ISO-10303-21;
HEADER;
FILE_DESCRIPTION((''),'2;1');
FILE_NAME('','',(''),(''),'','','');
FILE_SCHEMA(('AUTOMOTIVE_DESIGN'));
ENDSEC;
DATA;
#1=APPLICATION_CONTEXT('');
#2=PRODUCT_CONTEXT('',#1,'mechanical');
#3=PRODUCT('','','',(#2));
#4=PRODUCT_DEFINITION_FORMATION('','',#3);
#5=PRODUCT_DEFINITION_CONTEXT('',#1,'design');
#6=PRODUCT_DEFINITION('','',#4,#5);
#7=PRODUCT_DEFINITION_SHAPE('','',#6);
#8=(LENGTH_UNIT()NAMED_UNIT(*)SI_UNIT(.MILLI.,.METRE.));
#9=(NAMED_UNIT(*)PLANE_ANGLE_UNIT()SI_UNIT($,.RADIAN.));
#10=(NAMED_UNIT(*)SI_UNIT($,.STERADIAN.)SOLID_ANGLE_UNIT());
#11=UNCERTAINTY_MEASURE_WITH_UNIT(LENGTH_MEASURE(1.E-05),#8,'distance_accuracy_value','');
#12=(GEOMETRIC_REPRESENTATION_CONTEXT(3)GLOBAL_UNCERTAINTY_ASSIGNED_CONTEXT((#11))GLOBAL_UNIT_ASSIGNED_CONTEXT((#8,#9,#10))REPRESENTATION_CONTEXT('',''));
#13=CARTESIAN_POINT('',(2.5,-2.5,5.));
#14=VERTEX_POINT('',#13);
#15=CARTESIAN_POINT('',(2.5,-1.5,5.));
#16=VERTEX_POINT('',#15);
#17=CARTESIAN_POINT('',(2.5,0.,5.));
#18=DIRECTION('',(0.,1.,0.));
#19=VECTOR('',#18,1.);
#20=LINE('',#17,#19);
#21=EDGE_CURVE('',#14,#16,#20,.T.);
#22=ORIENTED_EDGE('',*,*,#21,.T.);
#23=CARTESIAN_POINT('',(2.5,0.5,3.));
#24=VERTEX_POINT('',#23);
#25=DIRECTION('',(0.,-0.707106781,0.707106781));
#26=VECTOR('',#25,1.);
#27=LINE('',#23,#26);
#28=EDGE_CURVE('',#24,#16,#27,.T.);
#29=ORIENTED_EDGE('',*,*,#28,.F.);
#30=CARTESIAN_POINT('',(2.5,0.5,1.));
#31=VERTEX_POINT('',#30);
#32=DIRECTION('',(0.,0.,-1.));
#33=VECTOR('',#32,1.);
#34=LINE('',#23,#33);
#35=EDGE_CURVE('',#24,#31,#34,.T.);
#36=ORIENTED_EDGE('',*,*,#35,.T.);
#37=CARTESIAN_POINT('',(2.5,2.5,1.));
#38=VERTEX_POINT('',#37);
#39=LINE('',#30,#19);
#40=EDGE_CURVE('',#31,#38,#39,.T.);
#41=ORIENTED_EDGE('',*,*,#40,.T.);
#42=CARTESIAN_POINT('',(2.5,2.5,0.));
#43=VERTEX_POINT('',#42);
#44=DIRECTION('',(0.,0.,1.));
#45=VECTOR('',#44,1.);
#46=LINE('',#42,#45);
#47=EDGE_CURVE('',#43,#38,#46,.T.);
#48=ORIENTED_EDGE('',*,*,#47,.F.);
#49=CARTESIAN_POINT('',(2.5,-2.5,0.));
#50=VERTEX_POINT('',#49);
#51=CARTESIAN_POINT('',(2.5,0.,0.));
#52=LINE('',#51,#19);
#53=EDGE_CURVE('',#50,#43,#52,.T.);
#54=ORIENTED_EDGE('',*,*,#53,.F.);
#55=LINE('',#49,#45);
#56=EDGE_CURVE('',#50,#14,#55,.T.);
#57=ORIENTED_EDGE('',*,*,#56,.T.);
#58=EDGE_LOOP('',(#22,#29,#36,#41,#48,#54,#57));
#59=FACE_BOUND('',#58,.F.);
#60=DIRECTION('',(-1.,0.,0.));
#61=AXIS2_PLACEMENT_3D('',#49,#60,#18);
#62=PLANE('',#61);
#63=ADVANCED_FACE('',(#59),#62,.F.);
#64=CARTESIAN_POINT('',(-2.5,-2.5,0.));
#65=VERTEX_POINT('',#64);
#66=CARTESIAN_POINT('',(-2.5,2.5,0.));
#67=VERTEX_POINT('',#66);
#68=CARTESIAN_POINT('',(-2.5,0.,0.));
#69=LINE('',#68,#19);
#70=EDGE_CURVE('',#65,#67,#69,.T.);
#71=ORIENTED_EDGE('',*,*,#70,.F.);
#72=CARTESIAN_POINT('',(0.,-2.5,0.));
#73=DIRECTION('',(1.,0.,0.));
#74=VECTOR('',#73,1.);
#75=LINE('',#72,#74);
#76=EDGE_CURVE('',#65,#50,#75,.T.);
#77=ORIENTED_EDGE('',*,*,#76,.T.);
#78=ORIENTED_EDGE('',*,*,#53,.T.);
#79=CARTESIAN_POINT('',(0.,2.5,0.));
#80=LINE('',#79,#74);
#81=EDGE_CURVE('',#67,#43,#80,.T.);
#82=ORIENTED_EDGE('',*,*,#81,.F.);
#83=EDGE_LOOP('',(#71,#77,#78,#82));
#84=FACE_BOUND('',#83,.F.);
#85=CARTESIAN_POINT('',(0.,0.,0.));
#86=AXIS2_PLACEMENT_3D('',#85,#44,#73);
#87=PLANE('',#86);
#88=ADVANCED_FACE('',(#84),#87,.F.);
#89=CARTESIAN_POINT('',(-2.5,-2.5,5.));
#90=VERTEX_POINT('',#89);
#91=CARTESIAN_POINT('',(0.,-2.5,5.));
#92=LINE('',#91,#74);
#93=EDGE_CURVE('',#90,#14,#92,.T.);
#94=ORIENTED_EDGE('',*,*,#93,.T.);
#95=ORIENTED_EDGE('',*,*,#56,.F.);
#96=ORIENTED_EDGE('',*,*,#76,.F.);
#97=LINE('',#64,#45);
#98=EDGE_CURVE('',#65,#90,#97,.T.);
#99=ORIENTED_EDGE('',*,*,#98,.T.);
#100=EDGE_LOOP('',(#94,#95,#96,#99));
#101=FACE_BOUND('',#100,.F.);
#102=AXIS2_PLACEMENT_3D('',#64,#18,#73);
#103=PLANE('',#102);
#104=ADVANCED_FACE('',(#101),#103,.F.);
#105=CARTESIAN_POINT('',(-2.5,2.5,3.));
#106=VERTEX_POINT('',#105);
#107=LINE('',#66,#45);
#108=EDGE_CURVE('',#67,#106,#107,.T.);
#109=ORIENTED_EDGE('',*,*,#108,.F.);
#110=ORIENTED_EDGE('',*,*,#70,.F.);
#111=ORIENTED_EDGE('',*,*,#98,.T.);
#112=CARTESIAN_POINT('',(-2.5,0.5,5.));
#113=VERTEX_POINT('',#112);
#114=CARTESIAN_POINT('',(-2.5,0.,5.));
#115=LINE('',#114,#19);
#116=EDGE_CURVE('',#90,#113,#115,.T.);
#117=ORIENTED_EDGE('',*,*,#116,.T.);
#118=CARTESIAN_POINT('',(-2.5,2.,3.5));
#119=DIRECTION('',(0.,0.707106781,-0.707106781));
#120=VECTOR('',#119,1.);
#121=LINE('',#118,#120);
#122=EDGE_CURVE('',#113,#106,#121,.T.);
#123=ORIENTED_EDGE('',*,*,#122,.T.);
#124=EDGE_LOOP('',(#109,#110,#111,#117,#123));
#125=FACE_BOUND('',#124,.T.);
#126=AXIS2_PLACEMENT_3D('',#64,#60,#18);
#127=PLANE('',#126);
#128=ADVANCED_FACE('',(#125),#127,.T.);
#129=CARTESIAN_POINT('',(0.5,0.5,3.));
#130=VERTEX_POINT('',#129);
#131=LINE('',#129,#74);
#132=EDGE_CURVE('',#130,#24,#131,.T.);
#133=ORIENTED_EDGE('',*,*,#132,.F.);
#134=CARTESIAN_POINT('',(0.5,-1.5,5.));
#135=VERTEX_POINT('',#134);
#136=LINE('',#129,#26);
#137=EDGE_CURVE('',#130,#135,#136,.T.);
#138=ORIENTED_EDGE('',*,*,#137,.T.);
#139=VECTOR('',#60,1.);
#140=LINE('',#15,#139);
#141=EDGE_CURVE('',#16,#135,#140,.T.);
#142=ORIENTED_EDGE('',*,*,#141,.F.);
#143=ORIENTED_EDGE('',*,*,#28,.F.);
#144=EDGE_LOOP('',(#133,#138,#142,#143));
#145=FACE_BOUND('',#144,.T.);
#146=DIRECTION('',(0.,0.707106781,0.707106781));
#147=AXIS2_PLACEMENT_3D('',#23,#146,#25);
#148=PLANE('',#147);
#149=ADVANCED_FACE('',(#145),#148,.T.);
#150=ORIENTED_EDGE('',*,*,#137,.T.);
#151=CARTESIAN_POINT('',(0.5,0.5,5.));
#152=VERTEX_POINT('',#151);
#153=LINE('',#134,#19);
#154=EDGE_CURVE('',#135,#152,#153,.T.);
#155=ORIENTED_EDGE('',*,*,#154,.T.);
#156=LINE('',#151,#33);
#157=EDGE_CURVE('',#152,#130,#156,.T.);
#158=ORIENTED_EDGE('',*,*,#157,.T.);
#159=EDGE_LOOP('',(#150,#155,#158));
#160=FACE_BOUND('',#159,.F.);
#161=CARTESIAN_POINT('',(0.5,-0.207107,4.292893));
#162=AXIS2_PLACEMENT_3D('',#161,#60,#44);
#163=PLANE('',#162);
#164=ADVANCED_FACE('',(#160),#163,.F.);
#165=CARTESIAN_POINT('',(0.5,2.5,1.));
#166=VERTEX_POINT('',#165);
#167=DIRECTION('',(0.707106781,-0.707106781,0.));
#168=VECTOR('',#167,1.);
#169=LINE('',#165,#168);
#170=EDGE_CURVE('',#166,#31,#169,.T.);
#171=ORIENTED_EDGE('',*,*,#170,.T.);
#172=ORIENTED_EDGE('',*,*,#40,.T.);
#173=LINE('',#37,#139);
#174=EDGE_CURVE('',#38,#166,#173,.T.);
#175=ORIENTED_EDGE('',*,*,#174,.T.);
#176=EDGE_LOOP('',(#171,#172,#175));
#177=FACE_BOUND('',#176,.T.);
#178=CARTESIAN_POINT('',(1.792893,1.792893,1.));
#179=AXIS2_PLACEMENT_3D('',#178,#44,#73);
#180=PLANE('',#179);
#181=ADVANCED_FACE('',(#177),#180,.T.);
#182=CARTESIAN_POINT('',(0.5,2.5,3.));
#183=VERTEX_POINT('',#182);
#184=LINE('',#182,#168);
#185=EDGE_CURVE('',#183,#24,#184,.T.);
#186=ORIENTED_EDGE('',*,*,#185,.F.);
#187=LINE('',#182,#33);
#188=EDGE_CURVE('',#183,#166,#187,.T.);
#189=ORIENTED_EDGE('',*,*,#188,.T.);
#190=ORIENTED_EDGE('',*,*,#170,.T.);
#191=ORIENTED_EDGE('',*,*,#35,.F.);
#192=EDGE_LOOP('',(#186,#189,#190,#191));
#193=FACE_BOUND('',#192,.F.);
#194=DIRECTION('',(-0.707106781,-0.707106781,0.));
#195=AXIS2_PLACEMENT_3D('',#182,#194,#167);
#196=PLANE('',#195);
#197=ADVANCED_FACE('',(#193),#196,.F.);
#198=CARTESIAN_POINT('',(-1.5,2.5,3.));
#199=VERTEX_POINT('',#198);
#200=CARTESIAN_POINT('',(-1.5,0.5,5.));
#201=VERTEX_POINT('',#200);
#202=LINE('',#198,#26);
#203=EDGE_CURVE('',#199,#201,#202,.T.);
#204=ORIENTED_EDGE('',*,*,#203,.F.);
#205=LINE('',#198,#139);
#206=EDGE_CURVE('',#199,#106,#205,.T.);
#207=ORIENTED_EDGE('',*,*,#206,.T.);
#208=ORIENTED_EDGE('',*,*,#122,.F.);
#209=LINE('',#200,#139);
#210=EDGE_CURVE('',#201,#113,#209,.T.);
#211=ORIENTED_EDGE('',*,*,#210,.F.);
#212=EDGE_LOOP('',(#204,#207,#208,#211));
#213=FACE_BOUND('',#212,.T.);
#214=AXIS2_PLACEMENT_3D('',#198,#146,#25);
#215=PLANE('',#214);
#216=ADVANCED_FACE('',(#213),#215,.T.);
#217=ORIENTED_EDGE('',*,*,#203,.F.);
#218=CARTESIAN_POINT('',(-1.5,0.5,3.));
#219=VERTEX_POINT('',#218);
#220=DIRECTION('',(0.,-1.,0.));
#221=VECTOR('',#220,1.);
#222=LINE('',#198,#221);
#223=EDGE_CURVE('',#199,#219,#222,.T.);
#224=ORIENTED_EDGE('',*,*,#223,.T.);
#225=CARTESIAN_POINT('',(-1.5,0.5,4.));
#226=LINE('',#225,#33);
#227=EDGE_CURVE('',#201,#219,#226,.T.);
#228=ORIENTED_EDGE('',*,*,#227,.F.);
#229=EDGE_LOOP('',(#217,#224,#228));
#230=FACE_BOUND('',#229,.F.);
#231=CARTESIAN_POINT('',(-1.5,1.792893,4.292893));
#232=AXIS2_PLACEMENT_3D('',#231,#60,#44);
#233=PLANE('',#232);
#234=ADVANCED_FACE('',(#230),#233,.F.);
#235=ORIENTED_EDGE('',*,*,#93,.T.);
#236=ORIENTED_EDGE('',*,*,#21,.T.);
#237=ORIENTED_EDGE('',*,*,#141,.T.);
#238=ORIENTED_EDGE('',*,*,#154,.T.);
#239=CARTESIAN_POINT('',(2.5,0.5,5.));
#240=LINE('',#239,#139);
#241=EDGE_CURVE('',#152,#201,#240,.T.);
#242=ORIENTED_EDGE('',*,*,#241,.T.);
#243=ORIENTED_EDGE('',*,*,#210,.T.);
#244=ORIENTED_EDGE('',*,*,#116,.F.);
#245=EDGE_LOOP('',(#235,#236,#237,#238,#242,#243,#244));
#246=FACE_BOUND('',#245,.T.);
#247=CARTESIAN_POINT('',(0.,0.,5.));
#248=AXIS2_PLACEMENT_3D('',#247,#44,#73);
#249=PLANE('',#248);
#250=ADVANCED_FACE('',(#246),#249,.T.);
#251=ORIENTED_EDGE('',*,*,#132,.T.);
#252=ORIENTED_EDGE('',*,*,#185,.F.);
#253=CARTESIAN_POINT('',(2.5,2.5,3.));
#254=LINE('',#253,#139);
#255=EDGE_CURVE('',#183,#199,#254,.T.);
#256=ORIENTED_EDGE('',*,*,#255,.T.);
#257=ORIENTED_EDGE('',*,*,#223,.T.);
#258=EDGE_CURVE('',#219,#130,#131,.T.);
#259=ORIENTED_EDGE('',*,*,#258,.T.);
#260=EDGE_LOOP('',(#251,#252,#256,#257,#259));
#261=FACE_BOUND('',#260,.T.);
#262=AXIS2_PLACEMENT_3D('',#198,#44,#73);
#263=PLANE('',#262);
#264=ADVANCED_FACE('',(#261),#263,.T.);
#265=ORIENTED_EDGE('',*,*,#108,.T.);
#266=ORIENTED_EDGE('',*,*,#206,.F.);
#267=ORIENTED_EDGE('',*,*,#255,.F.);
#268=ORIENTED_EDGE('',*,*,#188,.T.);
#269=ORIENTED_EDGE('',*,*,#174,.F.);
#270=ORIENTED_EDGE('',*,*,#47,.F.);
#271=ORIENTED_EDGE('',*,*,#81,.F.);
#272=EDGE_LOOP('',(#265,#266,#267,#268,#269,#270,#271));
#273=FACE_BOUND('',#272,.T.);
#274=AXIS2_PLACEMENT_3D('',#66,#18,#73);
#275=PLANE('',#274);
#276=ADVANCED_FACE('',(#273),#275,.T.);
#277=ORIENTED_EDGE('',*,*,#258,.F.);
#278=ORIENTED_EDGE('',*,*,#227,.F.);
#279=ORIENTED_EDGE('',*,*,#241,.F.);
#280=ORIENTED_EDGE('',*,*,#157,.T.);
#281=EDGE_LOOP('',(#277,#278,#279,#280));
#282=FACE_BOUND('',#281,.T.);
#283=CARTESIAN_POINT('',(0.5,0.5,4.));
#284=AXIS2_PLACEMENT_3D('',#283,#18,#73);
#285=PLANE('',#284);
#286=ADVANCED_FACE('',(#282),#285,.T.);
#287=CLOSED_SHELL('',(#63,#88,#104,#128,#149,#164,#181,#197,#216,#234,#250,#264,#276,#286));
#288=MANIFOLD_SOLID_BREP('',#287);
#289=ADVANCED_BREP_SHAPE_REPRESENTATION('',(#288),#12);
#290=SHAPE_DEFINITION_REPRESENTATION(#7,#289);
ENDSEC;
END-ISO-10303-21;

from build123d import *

# Parameters (mm, degrees)
SKETCH1_W           = 5
SKETCH1_H           = 5
BOSS_EXTRUDE1_DEPTH = 5
CUT_EXTRUDE1_DEPTH  = 4
SKETCH3_W           = 4
SKETCH3_H           = 2
CUT_EXTRUDE3_DEPTH  = 2
CUT_EXTRUDE4_DEPTH  = 2
CUT_EXTRUDE5_DEPTH  = 2
CUT_EXTRUDE6_DEPTH  = 2


with BuildPart() as part:
    # Sketch1 → Boss-Extrude1 (new body)
    with BuildSketch(Plane.XY):
        Rectangle(SKETCH1_W, SKETCH1_H)
    extrude(amount=BOSS_EXTRUDE1_DEPTH)

    # Sketch2 → Cut-Extrude1 (cut)
    with BuildSketch(Plane(origin=(2.5, 0, 0), x_dir=(0, 0, -1), z_dir=(1, 0, 0))):
        Polygon((-3, 2.5), (-5, 0.5), (-5, 2.5), align=None)
    extrude(amount=-CUT_EXTRUDE1_DEPTH, mode=Mode.SUBTRACT)

    # Sketch3 → Cut-Extrude3 (cut)
    with BuildSketch(Plane(origin=(0, 2.5, 0), x_dir=(1, 0, 0), z_dir=(0, 1, 0))):
        with Locations((0.5, -4)):
            Rectangle(SKETCH3_W, SKETCH3_H)
    extrude(amount=-CUT_EXTRUDE3_DEPTH, mode=Mode.SUBTRACT)

    # Sketch4 → Cut-Extrude4 (cut)
    with BuildSketch(Plane(origin=(2.5, 0, 0), x_dir=(0, 0, -1), z_dir=(1, 0, 0))):
        Polygon((-3, 0.5), (-5, -1.5), (-5, 0.5), align=None)
    extrude(amount=-CUT_EXTRUDE4_DEPTH, mode=Mode.SUBTRACT)

    # Sketch5 → Cut-Extrude5 (cut)
    with BuildSketch(Plane.XY.offset(3)):
        Polygon((0.5, 2.5), (2.5, 0.5), (2.5, 2.5), align=None)
    extrude(amount=-CUT_EXTRUDE5_DEPTH, mode=Mode.SUBTRACT)

    # Sketch6 → Cut-Extrude6 (cut, through all)
    with BuildSketch(Plane(origin=(-1.5, 0, 0), x_dir=(0, 0, -1), z_dir=(1, 0, 0))):
        Polygon((-3, 2.5), (-5, 0.5), (-5, 2.5), align=None)
    extrude(amount=-CUT_EXTRUDE6_DEPTH, mode=Mode.SUBTRACT)


solid = part.part
